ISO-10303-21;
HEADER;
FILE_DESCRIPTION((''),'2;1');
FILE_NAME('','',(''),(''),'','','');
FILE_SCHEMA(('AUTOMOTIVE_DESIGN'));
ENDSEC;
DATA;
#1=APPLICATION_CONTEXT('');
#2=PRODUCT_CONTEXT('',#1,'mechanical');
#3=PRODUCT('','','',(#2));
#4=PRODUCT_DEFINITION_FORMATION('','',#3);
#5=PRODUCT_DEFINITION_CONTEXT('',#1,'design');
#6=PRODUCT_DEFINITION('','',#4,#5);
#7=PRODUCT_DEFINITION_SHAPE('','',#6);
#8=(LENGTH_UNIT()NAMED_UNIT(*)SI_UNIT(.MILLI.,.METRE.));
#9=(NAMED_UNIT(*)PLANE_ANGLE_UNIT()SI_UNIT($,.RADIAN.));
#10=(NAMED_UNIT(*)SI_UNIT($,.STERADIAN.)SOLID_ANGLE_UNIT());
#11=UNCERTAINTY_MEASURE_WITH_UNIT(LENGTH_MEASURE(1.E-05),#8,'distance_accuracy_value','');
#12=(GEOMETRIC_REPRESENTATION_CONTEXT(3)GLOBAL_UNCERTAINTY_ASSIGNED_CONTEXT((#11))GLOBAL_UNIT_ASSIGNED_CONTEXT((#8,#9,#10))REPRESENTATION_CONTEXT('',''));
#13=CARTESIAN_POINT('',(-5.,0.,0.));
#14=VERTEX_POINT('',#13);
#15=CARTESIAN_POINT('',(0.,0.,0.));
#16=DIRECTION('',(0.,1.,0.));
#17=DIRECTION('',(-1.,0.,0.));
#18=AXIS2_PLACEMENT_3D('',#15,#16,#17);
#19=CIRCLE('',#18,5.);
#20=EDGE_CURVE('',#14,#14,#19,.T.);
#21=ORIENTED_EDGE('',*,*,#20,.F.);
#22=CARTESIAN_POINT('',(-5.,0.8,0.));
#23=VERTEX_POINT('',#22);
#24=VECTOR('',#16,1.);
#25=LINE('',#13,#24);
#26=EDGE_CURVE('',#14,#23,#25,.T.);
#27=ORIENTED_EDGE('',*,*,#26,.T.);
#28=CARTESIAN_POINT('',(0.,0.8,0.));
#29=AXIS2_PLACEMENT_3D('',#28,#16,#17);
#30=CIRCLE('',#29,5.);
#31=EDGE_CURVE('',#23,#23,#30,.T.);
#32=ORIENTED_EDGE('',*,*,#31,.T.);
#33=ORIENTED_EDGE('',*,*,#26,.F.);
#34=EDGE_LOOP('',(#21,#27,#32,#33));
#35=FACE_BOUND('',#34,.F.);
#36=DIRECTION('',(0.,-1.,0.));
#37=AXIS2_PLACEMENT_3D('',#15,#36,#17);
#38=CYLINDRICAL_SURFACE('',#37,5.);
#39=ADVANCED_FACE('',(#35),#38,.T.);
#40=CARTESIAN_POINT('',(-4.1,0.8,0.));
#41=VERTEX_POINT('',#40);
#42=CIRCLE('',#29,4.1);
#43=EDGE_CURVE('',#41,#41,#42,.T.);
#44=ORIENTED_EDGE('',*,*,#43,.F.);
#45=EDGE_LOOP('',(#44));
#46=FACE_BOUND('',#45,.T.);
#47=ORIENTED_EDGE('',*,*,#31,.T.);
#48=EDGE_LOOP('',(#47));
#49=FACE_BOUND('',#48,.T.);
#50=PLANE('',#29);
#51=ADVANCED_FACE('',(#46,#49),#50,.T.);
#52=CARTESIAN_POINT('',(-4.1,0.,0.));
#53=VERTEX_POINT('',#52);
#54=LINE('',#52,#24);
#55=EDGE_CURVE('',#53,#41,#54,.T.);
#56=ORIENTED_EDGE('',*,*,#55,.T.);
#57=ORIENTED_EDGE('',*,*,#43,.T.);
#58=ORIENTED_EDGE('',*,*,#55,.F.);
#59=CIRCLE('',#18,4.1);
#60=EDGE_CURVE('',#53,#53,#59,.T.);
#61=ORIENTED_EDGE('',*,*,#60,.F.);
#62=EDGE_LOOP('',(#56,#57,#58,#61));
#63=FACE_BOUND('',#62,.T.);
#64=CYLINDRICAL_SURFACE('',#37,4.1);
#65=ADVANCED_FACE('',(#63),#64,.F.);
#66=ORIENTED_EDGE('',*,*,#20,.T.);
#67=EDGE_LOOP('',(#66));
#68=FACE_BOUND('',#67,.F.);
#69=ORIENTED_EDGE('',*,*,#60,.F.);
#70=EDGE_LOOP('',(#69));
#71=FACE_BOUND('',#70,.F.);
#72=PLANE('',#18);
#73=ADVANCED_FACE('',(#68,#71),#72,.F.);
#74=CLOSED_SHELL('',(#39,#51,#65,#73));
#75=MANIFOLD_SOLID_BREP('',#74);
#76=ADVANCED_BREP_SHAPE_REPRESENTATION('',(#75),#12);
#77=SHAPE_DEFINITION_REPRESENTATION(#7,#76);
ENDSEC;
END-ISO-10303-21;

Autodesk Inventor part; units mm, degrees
ref_plane "YZ Plane" through (0, 0, 0) normal (1, 0, 0) x (0, 1, 0)
ref_plane "XZ Plane" through (0, 0, 0) normal (0, 1, 0) x (-1, 0, 0)
ref_plane "XY Plane" through (0, 0, 0) normal (0, 0, 1) x (1, 0, 0)
sketch "Sketch1" plane through (0, 0, 0) normal (0, 1, 0) x (-1, 0, 0)
  circle A0 centre (0, 0) radius 4.1
  circle A1 centre (0, 0) radius 5
  dimension "d0" = 8.2
  dimension "d1" = 10
extrude "Extrusion1" add sketch "Sketch1" along normal blind 0.8
properties part number "LED metal washer"
